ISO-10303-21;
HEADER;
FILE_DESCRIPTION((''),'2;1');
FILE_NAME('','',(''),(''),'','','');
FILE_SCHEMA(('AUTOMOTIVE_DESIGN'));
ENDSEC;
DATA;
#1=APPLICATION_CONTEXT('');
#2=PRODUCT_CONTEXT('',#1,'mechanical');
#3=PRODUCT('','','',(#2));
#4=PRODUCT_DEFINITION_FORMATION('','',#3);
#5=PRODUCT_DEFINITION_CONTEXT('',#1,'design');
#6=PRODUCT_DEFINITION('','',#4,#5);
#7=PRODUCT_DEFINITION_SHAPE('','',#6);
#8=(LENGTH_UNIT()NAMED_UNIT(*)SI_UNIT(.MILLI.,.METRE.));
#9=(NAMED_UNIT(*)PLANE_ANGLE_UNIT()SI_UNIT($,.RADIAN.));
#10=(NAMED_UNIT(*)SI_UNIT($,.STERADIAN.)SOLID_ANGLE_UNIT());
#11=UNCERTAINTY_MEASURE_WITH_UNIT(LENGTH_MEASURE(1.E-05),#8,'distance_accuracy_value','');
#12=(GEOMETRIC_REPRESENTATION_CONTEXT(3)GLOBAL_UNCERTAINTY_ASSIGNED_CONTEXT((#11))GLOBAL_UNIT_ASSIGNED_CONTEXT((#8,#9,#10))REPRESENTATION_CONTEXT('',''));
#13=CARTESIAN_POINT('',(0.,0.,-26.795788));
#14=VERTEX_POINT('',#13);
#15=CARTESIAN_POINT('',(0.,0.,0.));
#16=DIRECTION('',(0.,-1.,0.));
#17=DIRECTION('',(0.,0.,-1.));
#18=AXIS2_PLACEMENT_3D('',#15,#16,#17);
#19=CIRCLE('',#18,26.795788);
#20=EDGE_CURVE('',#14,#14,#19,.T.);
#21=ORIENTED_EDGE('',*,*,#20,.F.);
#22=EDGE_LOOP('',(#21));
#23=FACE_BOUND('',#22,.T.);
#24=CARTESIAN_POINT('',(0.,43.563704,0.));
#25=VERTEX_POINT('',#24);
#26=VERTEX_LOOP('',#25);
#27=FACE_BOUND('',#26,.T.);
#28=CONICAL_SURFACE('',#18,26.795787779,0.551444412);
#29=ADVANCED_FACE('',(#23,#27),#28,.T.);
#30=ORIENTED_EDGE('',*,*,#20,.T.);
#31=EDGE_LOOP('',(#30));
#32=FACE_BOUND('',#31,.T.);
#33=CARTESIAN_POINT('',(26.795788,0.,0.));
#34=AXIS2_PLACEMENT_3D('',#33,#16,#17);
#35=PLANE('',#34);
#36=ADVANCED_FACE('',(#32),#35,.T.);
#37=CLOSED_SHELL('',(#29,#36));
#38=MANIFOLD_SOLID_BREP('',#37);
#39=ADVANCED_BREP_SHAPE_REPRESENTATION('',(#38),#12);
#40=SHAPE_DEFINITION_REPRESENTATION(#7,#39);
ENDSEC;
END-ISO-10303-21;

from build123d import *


with BuildPart() as part:
    # Sketch1 → Revolve1 (revolve)
    with BuildSketch(Plane.XY, mode=Mode.PRIVATE) as revolve1_sk:
        Polygon((0, 0), (0, 43.563704058), (26.795787779, 0), align=None)
    revolve(revolve1_sk.sketch.rotate(Axis((0, 0, 0), (0, 1, 0)), 90), axis=Axis((0, 0, 0), (0, 1, 0)))


solid = part.part
